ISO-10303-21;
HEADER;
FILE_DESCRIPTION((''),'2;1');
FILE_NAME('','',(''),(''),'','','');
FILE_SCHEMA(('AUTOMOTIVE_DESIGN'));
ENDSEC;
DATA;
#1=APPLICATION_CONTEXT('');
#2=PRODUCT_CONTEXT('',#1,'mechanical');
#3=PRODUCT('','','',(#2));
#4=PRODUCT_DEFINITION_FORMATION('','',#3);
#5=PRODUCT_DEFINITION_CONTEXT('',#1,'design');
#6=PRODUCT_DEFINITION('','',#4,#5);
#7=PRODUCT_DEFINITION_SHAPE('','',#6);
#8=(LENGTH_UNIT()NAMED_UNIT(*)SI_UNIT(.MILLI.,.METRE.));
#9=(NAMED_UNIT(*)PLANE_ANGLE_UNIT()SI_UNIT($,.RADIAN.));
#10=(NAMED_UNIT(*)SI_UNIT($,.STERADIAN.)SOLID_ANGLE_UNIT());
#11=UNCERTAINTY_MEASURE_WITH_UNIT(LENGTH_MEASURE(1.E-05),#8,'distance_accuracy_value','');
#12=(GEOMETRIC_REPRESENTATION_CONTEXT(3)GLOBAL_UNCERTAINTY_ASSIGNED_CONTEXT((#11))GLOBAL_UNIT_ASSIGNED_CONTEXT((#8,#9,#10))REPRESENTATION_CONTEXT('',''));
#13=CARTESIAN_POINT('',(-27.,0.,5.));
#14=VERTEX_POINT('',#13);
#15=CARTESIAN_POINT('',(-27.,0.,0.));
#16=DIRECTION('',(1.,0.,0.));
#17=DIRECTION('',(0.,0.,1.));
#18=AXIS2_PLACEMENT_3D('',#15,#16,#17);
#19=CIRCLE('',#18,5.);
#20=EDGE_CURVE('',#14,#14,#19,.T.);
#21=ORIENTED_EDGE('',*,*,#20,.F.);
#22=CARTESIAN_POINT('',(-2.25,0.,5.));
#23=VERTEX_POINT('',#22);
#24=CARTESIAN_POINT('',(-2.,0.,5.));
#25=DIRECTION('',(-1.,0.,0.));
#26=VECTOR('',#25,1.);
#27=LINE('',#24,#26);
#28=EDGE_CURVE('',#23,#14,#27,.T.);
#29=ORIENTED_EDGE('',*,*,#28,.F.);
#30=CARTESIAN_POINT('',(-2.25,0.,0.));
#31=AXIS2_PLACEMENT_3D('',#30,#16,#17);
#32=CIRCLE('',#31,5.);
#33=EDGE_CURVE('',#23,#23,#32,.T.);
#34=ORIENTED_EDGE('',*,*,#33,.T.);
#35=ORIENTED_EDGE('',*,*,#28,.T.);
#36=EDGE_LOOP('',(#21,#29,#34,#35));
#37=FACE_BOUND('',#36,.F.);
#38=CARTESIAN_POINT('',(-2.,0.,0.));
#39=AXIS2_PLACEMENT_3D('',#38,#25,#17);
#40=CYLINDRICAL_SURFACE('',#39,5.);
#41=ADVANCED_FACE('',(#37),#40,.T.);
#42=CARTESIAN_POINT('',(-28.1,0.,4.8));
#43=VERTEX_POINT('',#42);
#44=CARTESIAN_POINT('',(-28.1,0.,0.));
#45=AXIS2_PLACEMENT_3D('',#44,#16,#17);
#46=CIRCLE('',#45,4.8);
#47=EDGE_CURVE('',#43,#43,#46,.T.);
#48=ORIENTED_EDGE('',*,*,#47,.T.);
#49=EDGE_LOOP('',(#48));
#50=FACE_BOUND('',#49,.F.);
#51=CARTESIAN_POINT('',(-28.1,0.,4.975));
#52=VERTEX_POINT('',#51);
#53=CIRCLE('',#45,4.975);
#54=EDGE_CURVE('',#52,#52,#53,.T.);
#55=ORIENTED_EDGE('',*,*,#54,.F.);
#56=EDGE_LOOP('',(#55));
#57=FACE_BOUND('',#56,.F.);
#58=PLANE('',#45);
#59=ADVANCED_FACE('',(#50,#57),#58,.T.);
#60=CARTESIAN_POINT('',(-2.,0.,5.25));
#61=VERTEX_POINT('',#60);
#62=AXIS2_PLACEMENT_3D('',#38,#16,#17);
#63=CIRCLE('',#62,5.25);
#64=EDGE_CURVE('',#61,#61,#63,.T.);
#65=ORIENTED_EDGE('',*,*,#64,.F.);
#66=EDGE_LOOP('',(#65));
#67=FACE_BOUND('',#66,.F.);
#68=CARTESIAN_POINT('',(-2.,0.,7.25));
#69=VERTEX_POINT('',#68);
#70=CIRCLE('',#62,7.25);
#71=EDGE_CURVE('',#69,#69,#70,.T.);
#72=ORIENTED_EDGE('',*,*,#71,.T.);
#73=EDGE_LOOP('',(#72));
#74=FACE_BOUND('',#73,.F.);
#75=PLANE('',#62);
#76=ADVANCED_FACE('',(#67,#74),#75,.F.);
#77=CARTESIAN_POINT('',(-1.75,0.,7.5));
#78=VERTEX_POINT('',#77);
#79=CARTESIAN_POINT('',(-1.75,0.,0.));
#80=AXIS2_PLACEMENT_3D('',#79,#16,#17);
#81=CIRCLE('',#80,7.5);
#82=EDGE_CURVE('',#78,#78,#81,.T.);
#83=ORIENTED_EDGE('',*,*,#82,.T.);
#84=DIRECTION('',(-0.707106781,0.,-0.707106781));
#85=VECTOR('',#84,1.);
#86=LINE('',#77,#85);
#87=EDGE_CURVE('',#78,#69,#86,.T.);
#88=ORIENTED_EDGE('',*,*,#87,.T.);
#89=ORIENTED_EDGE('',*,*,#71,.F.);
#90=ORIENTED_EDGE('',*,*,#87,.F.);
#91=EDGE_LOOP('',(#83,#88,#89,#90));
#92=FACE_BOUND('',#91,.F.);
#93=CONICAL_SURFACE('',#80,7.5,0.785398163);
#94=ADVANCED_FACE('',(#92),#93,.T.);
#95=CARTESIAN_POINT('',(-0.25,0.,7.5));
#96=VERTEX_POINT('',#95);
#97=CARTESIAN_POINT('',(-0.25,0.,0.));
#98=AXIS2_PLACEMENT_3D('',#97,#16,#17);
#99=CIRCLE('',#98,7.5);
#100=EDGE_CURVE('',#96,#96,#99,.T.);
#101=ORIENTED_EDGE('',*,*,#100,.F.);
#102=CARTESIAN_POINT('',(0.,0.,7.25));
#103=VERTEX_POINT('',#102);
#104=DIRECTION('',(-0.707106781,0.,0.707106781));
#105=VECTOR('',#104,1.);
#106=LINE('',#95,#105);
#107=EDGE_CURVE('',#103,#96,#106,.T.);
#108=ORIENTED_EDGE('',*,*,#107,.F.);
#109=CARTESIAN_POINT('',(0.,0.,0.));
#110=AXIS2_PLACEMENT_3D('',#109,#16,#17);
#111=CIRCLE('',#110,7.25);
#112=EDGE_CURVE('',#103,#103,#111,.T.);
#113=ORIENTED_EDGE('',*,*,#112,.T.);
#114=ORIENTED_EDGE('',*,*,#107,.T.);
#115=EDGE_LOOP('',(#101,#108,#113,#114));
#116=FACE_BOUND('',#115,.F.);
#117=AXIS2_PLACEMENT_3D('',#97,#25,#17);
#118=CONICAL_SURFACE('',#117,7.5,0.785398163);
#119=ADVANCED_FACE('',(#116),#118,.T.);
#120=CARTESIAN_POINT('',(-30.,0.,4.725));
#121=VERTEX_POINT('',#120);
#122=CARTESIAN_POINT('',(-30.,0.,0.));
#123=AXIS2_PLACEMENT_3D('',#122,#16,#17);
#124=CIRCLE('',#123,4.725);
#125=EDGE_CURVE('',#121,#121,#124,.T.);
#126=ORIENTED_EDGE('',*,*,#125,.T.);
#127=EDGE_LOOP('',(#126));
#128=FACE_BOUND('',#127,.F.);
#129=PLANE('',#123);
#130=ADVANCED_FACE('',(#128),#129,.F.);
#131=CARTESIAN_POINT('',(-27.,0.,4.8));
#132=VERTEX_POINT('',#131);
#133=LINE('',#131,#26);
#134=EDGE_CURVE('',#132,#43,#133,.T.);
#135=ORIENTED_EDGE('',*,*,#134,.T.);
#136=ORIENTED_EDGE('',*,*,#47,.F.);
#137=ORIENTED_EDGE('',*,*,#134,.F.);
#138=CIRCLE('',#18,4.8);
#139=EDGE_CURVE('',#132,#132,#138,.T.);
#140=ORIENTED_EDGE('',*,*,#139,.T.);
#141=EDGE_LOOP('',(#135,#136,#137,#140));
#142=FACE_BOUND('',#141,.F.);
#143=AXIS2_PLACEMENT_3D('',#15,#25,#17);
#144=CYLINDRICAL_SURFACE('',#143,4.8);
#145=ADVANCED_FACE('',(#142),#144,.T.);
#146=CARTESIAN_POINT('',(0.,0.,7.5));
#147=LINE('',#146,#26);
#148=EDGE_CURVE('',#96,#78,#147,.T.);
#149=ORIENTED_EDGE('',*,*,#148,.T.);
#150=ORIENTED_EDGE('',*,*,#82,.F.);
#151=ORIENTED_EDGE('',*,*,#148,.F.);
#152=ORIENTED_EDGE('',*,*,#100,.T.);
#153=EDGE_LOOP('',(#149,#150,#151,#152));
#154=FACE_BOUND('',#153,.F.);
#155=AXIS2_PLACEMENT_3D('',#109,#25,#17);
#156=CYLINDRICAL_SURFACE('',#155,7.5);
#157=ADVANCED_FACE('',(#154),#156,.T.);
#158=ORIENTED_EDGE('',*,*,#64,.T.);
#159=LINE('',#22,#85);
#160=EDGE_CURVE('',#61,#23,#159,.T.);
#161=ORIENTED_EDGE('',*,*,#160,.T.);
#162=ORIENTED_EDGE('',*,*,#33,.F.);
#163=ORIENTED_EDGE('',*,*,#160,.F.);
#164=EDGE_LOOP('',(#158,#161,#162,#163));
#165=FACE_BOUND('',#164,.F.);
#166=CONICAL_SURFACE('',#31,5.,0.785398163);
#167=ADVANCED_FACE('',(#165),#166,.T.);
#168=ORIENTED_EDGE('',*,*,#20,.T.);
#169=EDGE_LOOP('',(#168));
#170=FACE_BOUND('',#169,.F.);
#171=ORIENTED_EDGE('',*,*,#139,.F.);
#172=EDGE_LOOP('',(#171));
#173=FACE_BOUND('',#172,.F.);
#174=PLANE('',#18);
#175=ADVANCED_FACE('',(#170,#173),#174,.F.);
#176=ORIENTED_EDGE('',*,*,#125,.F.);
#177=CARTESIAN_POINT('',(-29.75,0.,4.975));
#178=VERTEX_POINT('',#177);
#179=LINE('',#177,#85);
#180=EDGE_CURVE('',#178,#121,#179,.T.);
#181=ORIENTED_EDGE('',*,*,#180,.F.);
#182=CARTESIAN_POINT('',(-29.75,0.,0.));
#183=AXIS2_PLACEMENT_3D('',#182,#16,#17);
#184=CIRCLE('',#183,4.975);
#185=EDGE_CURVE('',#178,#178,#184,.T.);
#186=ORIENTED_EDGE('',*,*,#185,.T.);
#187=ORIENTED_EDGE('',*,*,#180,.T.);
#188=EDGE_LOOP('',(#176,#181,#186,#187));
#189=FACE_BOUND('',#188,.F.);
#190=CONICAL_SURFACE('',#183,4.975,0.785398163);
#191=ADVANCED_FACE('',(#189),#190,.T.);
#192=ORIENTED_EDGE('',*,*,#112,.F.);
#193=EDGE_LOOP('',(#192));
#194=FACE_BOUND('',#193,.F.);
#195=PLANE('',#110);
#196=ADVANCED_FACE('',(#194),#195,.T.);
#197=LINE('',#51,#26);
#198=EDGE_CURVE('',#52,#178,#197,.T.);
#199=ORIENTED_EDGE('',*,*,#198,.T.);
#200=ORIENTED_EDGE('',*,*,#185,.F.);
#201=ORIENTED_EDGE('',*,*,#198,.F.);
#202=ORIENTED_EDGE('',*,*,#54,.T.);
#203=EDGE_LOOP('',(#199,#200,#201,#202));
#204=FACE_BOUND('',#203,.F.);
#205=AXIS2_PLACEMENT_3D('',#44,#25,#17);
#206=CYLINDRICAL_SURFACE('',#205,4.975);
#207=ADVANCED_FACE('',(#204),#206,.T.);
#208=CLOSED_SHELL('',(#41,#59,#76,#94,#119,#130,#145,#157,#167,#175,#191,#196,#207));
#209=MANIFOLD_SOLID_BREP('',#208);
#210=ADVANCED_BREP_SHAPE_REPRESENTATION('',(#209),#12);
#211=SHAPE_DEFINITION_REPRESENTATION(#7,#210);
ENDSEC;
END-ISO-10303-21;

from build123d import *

# Parameters (mm, degrees)
F2_SIZE = 0.25


with BuildPart() as f1:
    # F0 (on Front) → F1 (revolve)
    with BuildSketch(Plane.XZ):
        Polygon((-30, 0), (0, 0), (0, 7.5), (-2, 7.5), (-2, 5), (-27, 5), (-27, 4.8), (-28.1, 4.8), (-28.1, 4.975), (-30, 4.975), align=None)
    revolve(axis=Axis((2.79349, 0, 0), (1, 0, 0)))

    # F2
    f2_edges = [f1.edges().sort_by_distance(p)[0] for p in [
        (-2, 0, -7.5),
        (-2, 0, -5),
        (0, 0, -7.5),
        (-30, 0, -4.975),
    ]]
    chamfer(f2_edges, length=F2_SIZE)


solid = f1.part
